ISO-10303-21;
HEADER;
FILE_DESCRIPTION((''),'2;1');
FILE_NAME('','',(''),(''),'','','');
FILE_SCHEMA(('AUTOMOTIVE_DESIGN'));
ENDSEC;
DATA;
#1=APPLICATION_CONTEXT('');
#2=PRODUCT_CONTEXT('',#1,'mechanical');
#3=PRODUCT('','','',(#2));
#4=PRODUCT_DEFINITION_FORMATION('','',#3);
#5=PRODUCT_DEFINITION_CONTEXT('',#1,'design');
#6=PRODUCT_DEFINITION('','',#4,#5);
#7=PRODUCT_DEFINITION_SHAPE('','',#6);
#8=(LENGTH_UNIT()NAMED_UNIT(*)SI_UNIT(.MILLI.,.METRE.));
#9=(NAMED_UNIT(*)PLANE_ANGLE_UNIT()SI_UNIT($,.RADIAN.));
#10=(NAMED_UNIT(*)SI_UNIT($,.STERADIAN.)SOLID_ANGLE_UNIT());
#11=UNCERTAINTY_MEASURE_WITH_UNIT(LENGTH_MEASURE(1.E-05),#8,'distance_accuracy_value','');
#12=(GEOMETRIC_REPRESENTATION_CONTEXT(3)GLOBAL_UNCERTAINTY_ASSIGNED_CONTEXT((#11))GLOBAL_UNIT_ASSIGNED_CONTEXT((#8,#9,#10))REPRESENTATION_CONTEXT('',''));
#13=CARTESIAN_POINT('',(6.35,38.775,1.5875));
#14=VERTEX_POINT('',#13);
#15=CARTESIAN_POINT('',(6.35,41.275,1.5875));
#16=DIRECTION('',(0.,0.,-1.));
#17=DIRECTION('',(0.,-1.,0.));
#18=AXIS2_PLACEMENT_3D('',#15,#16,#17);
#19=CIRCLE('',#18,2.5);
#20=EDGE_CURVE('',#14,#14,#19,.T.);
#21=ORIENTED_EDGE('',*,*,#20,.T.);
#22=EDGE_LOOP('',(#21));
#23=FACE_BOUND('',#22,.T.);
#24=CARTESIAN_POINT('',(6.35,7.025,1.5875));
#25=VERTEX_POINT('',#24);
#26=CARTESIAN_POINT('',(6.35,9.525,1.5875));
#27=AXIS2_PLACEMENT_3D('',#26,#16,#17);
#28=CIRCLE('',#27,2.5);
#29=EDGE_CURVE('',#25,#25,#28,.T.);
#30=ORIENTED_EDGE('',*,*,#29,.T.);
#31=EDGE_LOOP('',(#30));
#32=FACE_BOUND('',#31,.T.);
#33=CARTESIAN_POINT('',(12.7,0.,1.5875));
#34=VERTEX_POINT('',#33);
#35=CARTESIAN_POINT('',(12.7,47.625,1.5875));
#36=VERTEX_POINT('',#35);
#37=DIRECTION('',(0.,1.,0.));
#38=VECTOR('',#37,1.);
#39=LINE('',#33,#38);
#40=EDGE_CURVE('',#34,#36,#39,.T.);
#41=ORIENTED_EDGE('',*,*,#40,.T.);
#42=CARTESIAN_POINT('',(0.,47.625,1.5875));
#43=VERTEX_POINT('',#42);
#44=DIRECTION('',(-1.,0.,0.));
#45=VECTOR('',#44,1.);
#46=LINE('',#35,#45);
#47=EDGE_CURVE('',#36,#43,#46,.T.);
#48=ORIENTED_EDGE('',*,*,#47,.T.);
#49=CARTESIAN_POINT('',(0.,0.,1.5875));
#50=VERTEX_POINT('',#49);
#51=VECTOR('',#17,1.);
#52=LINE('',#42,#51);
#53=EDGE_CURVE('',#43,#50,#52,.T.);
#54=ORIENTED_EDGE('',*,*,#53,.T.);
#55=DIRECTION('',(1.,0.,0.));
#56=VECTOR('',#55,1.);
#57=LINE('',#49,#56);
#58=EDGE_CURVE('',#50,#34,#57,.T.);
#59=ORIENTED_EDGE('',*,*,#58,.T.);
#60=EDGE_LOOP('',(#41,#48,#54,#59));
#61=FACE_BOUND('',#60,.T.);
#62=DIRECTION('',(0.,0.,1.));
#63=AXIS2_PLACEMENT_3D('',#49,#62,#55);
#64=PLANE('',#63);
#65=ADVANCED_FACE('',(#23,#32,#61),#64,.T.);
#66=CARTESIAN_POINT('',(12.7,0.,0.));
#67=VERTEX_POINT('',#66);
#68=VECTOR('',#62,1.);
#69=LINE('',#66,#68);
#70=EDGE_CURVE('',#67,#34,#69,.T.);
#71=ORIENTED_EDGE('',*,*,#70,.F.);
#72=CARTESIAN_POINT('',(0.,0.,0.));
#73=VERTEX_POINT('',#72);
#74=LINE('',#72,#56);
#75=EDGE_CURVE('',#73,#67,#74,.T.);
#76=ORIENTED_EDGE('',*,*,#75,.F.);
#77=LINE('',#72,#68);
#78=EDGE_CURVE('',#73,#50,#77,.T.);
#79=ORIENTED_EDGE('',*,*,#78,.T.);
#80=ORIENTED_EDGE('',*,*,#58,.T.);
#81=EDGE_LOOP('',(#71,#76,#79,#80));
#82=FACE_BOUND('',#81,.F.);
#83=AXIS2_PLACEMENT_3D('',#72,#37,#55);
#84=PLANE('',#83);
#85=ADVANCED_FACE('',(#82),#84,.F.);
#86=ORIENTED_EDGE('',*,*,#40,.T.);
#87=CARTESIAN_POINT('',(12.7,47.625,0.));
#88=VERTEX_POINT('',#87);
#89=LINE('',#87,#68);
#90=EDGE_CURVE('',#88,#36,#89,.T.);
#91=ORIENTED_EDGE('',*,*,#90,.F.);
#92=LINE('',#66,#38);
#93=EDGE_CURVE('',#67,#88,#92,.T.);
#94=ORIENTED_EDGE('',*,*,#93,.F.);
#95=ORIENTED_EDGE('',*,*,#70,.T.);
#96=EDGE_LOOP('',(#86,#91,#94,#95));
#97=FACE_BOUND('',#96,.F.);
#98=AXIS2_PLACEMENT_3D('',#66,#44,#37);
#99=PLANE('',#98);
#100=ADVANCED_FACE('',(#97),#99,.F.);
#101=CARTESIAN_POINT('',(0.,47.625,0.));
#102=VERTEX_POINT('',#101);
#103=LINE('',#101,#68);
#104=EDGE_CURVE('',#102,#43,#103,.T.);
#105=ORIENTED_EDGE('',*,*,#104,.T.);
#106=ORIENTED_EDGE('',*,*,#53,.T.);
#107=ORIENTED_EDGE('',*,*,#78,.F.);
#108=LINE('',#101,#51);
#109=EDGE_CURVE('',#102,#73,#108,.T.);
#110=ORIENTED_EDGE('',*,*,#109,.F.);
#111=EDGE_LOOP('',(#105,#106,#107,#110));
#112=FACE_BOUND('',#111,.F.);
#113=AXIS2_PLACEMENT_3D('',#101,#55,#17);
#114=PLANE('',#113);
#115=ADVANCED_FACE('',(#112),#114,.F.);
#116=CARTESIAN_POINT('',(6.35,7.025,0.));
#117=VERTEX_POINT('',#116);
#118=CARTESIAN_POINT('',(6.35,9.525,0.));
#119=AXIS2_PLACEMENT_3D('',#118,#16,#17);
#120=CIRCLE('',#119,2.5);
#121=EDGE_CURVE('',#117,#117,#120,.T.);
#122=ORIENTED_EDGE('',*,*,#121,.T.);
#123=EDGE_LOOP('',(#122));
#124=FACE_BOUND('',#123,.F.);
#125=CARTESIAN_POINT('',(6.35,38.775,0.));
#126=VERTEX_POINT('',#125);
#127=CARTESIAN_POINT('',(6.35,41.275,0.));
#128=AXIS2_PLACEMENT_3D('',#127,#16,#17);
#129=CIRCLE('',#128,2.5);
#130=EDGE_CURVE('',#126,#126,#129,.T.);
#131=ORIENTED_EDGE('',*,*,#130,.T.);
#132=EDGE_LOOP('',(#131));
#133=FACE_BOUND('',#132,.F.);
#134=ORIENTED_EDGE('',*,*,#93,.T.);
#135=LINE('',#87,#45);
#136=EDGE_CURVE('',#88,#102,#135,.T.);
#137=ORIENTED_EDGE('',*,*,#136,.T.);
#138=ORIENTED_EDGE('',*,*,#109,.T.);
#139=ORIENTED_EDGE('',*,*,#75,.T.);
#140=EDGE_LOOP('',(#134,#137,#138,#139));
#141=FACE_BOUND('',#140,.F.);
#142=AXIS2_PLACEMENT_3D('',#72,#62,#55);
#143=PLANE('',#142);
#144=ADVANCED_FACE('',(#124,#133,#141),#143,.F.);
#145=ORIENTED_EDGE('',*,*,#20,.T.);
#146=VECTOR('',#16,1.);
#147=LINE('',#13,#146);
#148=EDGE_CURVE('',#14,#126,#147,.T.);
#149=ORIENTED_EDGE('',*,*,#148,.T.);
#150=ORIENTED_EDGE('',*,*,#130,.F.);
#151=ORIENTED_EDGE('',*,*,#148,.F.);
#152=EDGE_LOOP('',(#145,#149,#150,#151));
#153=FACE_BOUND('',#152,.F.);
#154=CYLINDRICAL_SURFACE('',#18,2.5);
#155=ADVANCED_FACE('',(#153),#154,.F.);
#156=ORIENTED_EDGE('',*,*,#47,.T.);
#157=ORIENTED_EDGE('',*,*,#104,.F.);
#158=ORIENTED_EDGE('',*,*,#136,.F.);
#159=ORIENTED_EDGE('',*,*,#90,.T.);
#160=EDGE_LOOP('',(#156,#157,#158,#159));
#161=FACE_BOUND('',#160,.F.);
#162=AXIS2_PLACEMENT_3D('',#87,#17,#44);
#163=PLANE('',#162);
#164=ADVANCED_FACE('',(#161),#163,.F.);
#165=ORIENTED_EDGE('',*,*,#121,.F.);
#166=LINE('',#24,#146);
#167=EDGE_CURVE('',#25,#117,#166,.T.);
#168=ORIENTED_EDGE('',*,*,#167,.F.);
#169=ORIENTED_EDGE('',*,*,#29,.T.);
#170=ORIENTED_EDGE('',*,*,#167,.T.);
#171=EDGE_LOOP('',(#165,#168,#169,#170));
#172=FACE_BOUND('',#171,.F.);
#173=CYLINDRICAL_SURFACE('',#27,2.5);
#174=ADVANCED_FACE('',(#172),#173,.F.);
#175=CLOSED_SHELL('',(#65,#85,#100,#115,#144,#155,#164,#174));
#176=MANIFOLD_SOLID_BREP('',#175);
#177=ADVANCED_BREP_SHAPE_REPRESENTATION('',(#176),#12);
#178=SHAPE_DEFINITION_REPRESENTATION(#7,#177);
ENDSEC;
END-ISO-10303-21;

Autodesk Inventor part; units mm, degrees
ref_plane "YZ Plane" through (0, 0, 0) normal (1, 0, 0) x (0, 1, 0)
ref_plane "XZ Plane" through (0, 0, 0) normal (0, 1, 0) x (-1, 0, 0)
ref_plane "XY Plane" through (0, 0, 0) normal (0, 0, 1) x (1, 0, 0)
sketch "Sketch1" plane through (0, 0, 0) normal (0, 0, 1) x (1, 0, 0)
  line L0 (0, 0) -> (12.7, 0)
  line L1 (12.7, 0) -> (12.7, 47.625)
  line L2 (12.7, 47.625) -> (0, 47.625)
  line L3 (0, 47.625) -> (0, 0)
  dimension "d0" = 47.625
  dimension "d1" = 12.7
extrude "Extrusion1" add sketch "Sketch1" along normal blind 1.5875
sketch "Sketch2" plane through (0, 0, 1.5875) normal (0, 0, 1) x (1, 0, 0)
  line L0 (12.7, 0) -> (12.7, 47.625) projected
  line L1 (12.7, 47.625) -> (0, 47.625) projected
  line L2 (0, 47.625) -> (0, 0) projected
  point P0 (6.35, 41.275)
  point P1 (6.35, 9.525)
  dimension "d4" = 31.75
  dimension "d6" = 6.35
  dimension "d7" = 6.35
  dimension "d8" = 6.35
hole "Hole1" at (6.35, 41.275, 1.5875) at (6.35, 9.525, 1.5875) direction (0, 0, -1) diameter 5 depth 25.4 tip angle 118
properties part number "SpacerBasket"
